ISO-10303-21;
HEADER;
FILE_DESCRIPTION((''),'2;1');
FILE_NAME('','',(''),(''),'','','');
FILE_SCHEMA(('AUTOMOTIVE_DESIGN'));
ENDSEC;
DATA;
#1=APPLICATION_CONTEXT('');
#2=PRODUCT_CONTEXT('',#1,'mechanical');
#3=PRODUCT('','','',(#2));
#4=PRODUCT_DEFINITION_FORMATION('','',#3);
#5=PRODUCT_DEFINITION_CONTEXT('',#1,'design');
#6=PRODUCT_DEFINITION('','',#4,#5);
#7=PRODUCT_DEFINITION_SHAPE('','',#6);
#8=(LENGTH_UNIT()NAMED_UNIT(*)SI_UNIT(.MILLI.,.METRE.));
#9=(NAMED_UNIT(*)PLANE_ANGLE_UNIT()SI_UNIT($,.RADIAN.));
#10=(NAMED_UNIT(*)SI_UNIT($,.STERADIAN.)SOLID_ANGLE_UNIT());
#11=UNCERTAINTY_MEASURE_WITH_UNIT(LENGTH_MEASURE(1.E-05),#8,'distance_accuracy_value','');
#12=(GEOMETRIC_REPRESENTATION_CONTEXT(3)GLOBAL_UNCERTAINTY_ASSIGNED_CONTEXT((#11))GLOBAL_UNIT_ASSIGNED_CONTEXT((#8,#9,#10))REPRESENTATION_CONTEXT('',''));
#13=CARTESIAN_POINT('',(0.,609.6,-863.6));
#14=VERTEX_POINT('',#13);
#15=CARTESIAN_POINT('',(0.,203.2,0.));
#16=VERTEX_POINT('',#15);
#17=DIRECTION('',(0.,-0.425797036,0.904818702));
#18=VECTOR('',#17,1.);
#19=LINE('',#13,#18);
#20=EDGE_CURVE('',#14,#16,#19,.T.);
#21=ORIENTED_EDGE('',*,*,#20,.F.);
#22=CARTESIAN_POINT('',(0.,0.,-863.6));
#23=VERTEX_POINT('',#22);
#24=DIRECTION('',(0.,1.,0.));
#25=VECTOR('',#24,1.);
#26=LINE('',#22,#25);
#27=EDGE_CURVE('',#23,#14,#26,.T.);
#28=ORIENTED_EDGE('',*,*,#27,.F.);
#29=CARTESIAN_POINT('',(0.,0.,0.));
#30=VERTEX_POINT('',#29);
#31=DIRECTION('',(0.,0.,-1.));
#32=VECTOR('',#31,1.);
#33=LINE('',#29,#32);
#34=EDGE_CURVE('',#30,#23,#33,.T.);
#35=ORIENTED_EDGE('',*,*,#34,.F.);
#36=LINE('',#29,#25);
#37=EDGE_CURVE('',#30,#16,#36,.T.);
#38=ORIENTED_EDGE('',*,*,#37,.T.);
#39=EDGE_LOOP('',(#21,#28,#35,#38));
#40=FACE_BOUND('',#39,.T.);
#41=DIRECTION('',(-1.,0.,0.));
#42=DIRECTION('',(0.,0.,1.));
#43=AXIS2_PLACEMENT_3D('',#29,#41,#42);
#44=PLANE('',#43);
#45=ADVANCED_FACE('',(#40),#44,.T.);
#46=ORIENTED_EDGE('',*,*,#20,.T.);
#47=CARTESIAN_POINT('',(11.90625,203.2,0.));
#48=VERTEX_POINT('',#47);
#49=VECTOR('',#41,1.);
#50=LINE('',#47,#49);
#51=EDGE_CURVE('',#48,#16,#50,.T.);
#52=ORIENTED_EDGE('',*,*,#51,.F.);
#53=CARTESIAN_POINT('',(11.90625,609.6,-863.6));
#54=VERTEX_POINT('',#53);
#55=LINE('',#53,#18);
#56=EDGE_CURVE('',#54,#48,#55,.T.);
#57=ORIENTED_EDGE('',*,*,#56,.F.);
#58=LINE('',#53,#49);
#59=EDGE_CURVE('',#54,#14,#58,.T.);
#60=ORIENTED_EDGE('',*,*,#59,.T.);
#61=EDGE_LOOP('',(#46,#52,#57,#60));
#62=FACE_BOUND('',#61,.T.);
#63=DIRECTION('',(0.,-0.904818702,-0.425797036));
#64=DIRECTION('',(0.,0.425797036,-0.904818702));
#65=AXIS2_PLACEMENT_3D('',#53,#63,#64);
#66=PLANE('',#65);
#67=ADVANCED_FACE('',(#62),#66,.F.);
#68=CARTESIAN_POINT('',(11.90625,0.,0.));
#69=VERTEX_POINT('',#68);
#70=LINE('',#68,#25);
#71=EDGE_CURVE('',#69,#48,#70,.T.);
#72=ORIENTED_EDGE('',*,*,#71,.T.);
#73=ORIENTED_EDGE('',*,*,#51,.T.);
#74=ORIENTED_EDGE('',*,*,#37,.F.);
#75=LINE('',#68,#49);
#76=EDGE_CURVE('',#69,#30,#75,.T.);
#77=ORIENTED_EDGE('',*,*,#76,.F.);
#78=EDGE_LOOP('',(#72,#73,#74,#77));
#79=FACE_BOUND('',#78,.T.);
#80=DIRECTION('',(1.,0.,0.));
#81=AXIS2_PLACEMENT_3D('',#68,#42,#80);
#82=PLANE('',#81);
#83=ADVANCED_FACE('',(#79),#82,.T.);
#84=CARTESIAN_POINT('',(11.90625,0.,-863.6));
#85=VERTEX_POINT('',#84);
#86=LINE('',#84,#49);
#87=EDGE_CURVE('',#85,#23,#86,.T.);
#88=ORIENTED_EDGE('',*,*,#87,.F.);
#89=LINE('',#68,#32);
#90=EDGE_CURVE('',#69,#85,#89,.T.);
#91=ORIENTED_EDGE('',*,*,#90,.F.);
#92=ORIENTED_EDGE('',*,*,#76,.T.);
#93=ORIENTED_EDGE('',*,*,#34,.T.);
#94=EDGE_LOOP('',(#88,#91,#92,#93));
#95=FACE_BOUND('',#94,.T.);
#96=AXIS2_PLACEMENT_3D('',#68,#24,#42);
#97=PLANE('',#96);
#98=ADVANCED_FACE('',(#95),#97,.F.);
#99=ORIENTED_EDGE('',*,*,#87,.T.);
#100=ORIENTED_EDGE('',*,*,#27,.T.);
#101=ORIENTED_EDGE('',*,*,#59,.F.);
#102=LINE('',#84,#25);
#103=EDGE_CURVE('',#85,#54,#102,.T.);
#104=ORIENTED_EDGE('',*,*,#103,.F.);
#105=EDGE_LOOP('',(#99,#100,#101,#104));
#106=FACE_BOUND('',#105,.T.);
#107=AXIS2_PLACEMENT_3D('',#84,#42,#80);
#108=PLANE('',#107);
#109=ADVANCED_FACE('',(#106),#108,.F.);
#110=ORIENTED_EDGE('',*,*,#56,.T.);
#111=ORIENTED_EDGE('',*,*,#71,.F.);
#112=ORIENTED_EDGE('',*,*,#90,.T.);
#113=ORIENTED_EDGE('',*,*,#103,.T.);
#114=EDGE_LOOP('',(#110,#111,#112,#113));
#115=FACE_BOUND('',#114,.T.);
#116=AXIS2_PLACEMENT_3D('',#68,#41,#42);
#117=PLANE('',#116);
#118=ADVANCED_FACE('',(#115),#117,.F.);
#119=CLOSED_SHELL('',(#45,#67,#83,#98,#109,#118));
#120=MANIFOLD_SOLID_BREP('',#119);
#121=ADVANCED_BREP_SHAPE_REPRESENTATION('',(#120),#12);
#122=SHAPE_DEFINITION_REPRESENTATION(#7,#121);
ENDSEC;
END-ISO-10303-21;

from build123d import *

# Parameters (mm, degrees)
BOSS_EXTRUDE1_DEPTH = 11.90625


with BuildPart() as part:
    # Sketch1 → Boss-Extrude1 (new body)
    with BuildSketch(Plane(origin=(0, 0, 0), x_dir=(0, 0, -1), z_dir=(1, 0, 0))):
        Polygon((0, 0), (863.6, 0), (863.6, 609.6), (0, 203.2), align=None)
    extrude(amount=BOSS_EXTRUDE1_DEPTH)


solid = part.part
